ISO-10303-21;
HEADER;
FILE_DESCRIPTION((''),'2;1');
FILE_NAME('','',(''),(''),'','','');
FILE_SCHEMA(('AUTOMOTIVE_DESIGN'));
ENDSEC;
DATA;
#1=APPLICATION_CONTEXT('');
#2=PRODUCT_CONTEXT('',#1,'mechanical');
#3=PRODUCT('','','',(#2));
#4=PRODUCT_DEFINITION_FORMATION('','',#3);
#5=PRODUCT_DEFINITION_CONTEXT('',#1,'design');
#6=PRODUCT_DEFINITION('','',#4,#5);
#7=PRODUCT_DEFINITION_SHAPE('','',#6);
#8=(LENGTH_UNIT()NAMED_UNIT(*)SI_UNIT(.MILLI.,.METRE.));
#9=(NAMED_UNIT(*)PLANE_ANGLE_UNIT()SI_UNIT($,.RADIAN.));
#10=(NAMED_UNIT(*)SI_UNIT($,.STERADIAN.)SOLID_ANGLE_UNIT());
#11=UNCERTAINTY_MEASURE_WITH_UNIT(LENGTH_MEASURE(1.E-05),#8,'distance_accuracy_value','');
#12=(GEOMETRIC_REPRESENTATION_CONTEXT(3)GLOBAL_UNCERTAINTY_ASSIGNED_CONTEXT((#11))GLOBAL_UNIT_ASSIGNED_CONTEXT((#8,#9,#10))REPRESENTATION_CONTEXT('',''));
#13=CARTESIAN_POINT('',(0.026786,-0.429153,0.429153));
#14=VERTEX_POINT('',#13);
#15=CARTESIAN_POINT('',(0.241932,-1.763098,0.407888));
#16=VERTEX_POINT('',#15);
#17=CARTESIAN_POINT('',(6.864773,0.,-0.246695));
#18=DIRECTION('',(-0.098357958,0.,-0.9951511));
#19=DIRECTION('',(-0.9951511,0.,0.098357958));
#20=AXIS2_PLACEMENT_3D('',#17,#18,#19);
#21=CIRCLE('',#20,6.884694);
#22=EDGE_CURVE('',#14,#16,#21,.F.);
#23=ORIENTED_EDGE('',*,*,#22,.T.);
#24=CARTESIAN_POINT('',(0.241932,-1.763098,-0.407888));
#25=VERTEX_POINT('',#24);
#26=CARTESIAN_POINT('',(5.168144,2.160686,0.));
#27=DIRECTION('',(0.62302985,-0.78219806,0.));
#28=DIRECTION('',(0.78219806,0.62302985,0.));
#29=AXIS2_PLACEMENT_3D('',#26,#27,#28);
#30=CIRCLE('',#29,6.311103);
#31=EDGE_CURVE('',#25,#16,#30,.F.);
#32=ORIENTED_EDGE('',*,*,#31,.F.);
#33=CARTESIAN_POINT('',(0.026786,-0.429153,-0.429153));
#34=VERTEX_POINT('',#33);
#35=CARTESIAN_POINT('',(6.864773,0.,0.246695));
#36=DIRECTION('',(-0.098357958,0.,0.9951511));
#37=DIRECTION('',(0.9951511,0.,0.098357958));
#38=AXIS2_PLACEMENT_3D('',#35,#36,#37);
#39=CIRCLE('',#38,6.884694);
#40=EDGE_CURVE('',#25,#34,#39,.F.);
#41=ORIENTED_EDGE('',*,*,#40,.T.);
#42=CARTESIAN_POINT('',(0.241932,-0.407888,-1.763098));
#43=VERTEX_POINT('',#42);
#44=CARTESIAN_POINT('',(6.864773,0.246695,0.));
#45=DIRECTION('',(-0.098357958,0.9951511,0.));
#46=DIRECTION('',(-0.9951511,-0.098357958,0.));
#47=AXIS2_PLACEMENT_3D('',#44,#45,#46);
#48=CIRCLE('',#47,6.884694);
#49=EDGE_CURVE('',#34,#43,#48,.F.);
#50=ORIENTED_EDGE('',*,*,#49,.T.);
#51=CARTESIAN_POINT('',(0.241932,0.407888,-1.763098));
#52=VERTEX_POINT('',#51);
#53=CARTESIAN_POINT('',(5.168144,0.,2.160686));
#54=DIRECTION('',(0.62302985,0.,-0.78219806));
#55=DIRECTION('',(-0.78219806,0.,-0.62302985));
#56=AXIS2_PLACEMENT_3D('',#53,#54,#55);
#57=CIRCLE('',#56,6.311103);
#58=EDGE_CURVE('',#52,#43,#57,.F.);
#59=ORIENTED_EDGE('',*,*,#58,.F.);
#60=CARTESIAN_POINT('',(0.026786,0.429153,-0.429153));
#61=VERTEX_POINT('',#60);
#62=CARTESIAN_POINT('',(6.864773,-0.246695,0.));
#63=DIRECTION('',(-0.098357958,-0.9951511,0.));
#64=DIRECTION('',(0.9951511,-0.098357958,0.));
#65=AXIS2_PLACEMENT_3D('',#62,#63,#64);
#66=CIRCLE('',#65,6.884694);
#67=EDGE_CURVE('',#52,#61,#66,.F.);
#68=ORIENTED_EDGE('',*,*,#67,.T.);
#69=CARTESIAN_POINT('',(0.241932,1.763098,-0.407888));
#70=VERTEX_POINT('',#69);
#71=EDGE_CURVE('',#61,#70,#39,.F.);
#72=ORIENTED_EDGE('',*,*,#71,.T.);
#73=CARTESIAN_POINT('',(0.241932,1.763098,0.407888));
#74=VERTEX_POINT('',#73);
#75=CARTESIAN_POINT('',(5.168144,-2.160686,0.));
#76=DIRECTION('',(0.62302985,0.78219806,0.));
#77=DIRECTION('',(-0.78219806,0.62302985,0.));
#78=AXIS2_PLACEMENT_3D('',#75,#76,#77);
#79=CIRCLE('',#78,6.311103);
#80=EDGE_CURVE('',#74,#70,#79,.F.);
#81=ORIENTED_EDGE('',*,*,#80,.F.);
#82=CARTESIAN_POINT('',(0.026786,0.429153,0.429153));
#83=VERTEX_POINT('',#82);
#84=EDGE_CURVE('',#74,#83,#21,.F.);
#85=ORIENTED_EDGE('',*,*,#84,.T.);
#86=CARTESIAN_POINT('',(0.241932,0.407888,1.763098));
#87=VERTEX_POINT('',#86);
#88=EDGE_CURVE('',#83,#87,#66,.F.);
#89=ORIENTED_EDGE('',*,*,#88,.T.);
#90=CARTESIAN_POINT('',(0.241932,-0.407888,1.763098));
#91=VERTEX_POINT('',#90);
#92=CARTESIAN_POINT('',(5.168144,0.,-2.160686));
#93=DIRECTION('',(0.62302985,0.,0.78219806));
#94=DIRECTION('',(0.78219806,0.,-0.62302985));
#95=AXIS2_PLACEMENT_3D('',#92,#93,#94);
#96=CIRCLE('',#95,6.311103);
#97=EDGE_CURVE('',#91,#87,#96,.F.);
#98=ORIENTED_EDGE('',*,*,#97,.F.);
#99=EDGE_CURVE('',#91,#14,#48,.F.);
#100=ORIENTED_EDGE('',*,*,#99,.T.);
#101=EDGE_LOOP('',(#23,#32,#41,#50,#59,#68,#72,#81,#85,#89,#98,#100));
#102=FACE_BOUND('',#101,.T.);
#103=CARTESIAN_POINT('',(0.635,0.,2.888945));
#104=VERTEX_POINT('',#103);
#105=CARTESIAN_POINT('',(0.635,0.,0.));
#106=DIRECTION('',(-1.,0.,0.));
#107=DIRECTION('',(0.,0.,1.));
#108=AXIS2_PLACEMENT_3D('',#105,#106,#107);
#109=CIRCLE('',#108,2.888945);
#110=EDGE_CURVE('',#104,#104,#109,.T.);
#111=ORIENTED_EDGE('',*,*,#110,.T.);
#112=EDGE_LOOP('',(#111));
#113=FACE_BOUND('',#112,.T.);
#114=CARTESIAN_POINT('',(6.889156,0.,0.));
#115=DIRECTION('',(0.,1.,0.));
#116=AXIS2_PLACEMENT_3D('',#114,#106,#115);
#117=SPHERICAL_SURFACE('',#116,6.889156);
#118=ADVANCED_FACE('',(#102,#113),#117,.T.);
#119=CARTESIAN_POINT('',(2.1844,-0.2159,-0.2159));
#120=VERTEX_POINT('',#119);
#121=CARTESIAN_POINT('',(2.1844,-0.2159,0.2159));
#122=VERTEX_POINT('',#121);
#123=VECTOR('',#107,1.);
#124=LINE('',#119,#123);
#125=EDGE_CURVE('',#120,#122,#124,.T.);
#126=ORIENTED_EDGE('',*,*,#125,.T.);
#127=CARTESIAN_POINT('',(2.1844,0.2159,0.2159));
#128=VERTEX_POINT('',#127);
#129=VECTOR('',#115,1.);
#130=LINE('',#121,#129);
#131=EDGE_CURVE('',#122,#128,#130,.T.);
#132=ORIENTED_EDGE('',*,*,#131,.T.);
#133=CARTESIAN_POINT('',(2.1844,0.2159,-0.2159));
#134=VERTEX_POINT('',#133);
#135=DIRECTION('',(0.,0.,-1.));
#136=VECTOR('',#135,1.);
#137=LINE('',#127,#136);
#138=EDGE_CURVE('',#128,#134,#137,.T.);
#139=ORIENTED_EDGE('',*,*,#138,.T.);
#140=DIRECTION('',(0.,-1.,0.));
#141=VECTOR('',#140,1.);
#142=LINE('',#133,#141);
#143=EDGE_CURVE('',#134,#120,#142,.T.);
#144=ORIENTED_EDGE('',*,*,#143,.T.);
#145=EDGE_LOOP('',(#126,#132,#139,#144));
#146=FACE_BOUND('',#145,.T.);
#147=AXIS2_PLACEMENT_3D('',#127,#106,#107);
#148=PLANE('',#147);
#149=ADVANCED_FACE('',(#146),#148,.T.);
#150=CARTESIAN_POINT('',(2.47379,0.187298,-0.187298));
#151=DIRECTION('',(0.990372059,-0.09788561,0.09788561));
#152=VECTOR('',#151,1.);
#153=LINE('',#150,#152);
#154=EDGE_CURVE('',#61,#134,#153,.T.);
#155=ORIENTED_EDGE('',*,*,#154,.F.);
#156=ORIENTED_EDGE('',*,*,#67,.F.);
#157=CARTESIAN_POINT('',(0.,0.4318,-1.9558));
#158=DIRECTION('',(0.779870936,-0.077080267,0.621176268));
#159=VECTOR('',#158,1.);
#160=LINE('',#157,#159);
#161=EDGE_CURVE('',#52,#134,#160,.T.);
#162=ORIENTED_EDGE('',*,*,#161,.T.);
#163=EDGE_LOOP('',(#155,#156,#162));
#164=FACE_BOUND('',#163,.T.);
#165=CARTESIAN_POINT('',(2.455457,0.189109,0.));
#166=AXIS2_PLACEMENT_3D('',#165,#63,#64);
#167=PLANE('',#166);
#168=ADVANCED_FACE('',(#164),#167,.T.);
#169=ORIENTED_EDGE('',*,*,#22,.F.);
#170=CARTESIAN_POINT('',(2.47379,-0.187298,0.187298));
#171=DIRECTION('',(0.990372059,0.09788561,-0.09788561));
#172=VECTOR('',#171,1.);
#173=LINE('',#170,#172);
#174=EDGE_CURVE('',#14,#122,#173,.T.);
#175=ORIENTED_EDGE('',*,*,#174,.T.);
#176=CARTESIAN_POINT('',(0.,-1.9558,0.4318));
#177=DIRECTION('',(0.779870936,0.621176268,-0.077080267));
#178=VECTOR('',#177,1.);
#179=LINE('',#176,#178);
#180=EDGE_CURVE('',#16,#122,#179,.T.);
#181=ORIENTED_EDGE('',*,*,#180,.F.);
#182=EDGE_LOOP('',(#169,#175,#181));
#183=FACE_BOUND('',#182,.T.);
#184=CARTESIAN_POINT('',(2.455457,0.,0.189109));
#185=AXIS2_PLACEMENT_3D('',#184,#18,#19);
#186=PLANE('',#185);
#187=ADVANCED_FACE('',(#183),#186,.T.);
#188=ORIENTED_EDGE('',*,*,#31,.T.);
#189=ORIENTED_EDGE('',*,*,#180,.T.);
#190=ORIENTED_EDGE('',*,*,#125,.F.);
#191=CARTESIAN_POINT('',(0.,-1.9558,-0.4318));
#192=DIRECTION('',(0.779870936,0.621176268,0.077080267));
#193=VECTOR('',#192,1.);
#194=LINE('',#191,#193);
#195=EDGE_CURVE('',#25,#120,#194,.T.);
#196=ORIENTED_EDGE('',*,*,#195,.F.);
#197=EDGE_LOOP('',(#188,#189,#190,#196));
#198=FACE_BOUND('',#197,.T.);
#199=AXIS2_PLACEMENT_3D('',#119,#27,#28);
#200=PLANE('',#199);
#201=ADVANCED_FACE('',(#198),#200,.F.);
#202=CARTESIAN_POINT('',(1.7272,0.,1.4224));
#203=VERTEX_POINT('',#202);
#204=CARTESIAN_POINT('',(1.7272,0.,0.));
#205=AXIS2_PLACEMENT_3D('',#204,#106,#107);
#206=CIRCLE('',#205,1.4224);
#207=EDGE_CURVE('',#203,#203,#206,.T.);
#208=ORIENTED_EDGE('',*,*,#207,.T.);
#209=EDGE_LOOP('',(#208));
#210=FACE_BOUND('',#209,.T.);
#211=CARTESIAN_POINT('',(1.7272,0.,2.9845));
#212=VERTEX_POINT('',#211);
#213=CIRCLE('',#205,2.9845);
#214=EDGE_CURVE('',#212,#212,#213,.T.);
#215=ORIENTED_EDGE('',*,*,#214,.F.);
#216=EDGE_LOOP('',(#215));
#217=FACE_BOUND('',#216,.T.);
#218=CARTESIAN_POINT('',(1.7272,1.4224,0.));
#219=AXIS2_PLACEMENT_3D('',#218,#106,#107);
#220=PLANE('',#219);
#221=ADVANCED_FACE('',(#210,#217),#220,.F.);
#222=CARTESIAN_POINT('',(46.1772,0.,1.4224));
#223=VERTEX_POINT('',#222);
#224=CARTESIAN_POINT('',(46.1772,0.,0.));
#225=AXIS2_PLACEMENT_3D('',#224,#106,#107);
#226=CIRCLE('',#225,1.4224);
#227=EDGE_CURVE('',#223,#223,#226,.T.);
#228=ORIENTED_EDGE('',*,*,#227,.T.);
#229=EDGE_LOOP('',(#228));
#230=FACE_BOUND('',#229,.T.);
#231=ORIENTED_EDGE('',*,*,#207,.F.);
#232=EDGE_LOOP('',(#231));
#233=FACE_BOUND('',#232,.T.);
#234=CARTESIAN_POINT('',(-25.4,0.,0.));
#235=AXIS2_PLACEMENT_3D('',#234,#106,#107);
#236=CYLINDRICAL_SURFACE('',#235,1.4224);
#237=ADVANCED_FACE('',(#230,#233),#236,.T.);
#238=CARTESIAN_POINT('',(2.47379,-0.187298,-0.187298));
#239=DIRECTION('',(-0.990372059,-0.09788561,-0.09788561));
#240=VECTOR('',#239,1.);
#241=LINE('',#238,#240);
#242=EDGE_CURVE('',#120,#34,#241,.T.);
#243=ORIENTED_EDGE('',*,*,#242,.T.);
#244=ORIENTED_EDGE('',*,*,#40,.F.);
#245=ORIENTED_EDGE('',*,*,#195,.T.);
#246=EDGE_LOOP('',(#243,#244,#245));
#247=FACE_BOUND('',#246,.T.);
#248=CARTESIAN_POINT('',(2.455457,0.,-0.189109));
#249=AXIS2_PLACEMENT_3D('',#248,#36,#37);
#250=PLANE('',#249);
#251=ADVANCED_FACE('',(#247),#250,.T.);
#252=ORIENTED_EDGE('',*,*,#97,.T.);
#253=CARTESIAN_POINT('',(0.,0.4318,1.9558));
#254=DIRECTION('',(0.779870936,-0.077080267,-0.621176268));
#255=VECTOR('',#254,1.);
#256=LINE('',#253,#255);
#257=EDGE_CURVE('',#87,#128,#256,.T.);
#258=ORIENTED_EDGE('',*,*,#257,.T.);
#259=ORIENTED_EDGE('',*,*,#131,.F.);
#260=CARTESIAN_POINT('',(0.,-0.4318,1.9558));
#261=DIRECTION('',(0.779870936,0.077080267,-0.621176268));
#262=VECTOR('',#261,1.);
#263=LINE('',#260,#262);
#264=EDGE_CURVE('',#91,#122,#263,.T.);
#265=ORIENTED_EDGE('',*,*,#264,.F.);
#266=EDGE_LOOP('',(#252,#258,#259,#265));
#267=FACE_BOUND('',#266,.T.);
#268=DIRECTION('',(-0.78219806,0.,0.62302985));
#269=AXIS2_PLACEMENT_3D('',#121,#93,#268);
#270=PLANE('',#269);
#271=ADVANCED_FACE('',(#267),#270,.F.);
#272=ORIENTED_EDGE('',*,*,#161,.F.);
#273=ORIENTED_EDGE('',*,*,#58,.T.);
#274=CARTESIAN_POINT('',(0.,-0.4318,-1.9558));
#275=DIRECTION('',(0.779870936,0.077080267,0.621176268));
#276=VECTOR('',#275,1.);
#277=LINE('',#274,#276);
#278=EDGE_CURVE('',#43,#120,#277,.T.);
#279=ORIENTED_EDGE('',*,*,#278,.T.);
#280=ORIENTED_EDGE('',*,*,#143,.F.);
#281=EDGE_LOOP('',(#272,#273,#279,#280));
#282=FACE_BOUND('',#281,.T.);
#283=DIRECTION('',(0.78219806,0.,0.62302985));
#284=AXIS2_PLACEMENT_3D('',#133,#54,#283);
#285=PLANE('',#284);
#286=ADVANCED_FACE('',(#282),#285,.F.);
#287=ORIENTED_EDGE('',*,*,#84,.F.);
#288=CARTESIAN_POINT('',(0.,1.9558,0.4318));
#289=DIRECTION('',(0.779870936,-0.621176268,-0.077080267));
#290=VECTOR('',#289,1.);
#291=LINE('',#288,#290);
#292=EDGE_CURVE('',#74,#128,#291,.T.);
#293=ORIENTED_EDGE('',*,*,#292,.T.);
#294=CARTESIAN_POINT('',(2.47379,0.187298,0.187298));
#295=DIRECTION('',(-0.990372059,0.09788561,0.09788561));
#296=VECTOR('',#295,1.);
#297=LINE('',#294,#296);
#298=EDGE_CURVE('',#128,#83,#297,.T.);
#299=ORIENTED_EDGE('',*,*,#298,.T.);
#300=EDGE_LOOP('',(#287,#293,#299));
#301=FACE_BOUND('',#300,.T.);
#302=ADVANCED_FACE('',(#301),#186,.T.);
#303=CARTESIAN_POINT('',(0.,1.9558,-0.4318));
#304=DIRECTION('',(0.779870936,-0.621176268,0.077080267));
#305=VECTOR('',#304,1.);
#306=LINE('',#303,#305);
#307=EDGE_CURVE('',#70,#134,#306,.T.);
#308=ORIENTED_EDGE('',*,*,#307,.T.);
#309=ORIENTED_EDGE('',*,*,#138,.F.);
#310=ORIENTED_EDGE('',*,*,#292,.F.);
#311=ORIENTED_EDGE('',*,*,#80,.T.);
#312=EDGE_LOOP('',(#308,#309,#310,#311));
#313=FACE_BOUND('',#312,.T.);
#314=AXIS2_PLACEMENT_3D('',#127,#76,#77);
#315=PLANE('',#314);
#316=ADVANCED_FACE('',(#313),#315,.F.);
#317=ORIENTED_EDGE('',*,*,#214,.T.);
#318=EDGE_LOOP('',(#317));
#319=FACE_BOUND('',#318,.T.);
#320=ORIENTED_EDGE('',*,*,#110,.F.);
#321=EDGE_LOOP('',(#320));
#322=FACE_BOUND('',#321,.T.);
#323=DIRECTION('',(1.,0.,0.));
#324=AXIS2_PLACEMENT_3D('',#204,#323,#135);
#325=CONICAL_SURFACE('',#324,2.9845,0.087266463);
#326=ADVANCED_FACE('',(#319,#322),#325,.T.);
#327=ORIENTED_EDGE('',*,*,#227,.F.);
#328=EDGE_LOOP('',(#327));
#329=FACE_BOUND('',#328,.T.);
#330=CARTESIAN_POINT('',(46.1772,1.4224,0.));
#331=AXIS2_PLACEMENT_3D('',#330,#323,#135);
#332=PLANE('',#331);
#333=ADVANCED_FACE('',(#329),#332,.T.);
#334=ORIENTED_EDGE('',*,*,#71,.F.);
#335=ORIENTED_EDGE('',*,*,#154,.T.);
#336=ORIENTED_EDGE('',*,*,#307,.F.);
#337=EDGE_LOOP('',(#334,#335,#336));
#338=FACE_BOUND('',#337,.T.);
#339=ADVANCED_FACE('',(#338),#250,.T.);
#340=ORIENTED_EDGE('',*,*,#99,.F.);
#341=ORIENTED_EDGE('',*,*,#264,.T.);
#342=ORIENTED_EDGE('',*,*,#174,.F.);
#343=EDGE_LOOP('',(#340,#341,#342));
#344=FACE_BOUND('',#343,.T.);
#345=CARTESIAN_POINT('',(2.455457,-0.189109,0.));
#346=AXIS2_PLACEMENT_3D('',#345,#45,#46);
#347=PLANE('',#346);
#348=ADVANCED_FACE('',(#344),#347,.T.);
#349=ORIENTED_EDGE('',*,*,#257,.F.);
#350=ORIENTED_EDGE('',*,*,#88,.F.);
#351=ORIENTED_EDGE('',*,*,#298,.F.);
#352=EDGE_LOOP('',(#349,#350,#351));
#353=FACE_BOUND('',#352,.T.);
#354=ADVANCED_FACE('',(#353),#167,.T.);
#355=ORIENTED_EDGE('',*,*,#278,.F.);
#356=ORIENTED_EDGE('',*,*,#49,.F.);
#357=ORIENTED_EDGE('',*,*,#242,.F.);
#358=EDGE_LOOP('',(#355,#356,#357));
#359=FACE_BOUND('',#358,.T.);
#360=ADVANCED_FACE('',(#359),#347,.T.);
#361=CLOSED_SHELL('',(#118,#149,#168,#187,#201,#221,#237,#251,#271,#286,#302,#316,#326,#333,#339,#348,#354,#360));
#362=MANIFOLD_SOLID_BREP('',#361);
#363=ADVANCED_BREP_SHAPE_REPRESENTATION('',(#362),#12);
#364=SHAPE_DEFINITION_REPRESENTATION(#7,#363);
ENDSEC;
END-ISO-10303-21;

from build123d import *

# Parameters (mm, degrees)
SKETCH3_W         = 0.8636
SKETCH3_H         = 3.9116
SKETCH4_W         = 0.4318
SKETCH4_H         = 0.4318
CIRPATTERN1_COUNT = 2
CIRPATTERN1_ANGLE = 90


with BuildPart() as part:
    # BodySke → Base-Revolve (revolve)
    with BuildSketch(Plane.XY):
        with BuildLine():
            Line((1.7272, 1.4224), (1.7272, 2.9845))
            Line((1.7272, 2.9845), (0.635, 2.888944882))
            ThreePointArc((0.635, 2.888944882), (0.160622478, 1.478954659), (0, 0))
            Line((0, 0), (46.1772, 0))
            Line((46.1772, 0), (46.1772, 1.4224))
            Line((46.1772, 1.4224), (1.7272, 1.4224))
        make_face()
    revolve(axis=Axis((-25.4, 0, 0), (1, 0, 0)))

    # Sketch3 → Cross section 0
    with BuildSketch(Plane(origin=(0, 0, 0), x_dir=(0, 0, -1), z_dir=(1, 0, 0))):
        Rectangle(SKETCH3_W, SKETCH3_H)
    # Sketch4 → Cross section 1
    with BuildSketch(Plane(origin=(2.1844, 0, 0), x_dir=(0, 0, -1), z_dir=(1, 0, 0))):
        Rectangle(SKETCH4_W, SKETCH4_H)
    cross = loft(mode=Mode.SUBTRACT)

    # CirPattern1: Cross ×2 about axis
    cirpattern1_axis = Axis((0, 0, 0), (1, 0, 0))
    for i in range(1, CIRPATTERN1_COUNT):
        add(cross.rotate(cirpattern1_axis, i * CIRPATTERN1_ANGLE / (CIRPATTERN1_COUNT - 1)), mode=Mode.SUBTRACT)


solid = part.part
